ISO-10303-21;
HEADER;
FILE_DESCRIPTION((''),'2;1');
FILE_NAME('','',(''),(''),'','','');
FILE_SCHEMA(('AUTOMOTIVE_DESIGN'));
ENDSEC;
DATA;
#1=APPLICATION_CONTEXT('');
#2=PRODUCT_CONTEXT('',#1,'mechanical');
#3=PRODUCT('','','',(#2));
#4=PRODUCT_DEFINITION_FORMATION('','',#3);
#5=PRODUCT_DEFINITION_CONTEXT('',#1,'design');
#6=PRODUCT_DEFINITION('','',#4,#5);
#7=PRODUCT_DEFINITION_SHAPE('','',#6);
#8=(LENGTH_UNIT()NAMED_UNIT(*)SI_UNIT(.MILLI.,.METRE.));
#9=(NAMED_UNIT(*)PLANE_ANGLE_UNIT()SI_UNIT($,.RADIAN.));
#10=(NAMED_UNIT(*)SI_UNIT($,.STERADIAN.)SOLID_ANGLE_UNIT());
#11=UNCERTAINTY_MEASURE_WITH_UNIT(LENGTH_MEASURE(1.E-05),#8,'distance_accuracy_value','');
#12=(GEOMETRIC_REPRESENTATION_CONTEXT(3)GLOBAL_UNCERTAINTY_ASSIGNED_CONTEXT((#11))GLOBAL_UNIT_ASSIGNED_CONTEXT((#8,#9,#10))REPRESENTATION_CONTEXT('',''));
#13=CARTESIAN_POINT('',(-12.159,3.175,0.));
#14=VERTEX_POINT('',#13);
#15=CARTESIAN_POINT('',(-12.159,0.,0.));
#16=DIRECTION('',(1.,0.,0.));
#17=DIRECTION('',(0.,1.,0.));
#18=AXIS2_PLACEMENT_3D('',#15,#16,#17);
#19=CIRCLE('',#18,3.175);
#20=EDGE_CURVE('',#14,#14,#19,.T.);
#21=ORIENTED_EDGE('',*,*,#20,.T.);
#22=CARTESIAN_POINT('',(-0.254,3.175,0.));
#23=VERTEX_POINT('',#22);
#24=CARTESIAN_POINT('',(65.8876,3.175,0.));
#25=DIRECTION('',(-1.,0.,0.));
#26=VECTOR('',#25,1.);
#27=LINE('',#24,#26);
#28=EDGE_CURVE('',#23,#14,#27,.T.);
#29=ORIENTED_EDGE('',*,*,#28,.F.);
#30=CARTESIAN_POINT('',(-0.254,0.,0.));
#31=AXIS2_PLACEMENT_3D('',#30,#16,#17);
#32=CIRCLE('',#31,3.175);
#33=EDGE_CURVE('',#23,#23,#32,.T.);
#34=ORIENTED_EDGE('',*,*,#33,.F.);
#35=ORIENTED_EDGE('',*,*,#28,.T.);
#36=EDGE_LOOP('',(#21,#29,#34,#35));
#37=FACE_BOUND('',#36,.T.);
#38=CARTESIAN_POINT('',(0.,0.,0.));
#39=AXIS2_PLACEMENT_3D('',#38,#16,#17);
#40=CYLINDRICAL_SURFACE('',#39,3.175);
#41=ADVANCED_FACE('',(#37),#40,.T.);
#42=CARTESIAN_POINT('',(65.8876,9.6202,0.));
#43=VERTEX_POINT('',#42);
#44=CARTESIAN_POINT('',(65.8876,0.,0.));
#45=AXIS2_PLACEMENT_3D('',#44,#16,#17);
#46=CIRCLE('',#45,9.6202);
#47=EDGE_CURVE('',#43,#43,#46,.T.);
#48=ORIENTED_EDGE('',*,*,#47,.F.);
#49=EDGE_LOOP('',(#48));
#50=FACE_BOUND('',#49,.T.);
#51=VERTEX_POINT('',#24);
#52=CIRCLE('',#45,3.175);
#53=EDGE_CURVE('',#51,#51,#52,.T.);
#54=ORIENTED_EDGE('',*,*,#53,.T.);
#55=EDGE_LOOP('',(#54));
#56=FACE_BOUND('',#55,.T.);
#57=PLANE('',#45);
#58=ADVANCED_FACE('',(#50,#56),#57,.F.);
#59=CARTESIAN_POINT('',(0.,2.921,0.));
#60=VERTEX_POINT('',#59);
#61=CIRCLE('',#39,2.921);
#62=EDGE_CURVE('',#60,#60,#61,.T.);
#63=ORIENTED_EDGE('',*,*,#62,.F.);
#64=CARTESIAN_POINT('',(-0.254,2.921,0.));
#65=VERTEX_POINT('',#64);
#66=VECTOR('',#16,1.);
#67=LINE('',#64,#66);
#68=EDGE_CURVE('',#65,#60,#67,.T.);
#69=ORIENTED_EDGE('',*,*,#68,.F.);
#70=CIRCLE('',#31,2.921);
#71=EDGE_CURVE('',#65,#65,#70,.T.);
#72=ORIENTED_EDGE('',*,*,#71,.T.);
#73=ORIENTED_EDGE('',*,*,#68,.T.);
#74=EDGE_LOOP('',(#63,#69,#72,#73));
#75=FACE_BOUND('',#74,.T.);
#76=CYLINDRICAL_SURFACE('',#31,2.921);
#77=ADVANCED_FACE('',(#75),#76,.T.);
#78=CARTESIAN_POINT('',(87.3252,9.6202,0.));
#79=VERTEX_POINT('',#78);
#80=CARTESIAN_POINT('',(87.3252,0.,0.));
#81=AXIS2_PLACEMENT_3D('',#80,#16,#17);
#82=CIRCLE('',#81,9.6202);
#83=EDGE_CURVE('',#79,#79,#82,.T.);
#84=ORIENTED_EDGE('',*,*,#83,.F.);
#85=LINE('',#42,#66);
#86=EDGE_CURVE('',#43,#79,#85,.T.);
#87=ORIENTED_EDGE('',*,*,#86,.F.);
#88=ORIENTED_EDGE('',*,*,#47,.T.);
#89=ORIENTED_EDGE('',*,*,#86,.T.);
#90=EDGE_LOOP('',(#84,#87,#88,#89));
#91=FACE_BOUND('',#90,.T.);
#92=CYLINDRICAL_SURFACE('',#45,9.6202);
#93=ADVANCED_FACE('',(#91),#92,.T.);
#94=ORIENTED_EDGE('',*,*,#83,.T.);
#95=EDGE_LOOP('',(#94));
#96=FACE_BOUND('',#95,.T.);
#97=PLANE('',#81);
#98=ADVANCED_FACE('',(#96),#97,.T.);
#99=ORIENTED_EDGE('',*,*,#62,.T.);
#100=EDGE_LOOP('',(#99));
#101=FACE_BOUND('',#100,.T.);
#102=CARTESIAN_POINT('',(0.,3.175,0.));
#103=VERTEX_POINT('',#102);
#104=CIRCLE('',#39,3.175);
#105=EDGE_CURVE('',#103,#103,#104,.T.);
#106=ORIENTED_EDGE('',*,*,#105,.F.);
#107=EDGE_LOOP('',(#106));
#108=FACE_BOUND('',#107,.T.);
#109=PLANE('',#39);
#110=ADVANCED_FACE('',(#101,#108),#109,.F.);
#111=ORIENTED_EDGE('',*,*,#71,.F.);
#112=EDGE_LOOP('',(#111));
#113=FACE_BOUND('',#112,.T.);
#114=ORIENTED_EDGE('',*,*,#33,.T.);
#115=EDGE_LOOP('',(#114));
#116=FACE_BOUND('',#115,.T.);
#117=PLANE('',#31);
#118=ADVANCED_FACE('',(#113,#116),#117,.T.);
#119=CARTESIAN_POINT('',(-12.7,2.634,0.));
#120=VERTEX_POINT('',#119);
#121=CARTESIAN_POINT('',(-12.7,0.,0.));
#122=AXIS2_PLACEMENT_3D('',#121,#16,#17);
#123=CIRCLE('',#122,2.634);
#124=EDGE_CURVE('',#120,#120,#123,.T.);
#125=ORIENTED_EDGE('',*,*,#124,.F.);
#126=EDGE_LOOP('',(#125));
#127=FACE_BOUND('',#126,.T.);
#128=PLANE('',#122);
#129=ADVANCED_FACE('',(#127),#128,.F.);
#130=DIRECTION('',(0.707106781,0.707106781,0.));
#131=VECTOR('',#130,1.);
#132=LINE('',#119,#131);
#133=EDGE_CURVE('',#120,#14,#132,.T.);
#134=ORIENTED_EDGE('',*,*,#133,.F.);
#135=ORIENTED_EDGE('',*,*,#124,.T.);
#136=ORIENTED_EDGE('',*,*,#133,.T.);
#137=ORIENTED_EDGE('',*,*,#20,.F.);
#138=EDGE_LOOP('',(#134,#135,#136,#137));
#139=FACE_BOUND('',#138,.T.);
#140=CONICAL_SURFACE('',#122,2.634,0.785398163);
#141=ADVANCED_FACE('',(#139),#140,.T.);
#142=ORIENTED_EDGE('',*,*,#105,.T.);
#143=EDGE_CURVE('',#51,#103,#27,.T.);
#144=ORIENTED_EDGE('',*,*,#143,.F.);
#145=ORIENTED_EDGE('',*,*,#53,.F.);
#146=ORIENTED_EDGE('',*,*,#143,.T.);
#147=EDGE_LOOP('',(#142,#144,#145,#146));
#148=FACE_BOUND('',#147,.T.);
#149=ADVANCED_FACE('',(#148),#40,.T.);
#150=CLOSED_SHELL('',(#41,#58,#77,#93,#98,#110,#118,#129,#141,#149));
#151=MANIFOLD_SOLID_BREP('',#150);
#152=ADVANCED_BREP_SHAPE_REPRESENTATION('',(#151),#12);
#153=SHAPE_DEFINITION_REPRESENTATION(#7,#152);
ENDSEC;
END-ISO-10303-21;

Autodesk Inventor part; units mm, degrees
sketch "Sketch_1" plane through (0, 0, 0) normal (0, 0, 1) x (1, 0, 0)
  line L0 (87.3252, 0) -> (0, 0)
  line L1 (0, 0) -> (0, 3.175)
  line L2 (0, 3.175) -> (65.8876, 3.175)
  line L3 (65.8876, 3.175) -> (65.8876, 9.6202)
  line L4 (65.8876, 9.6202) -> (87.3252, 9.6202)
  line L5 (87.3252, 9.6202) -> (87.3252, 0)
  line L6 (87.3252, 0) -> (0, 0)
revolve "Revolution1" add sketch "Sketch_1" angle 360 about axis through (87.3252, 0, 0) along (1, 0, 0)
sketch "Sketch_3" plane through (0, 0, 0) normal (0, 0, 1) x (1, 0, 0)
  line L0 (0, 0) -> (-12.7, 0)
  line L1 (-12.7, 0) -> (-12.7, 2.634)
  line L2 (-12.7, 2.634) -> (-12.159, 3.175)
  line L3 (-12.159, 3.175) -> (0, 3.175)
  line L4 (0, 3.175) -> (0, 0)
  line L5 (0, 0) -> (-12.7, 0)
revolve "Revolution2" add sketch "Sketch_3" angle 360 about axis through (0, 0, 0) along (1, 0, 0)
sketch "Sketch_30" plane through (0, 0, 0) normal (0, 0, 1) x (1, 0, 0)
  line L0 (0, 0) -> (-0.254, 0)
  line L1 (-0.254, 2.921) -> (0, 2.921)
  line L2 (0, 2.921) -> (0, 3.429)
  line L3 (0, 3.429) -> (-0.254, 3.429)
  line L4 (-0.254, 3.429) -> (-0.254, 2.921)
revolve "Revolution3" cut sketch "Sketch_30" angle 360 about axis through (0, 0, 0) along (1, 0, 0)
ref_plane "dia1_XY" through (0, 3.175, 0) normal (1, 0, 0) x (0, 0, -1)
ref_plane "dia1_YZ" through (0, 3.175, 0) normal (0, 0, -1) x (0, 1, 0)
ref_plane "dia1_ZX" through (0, 3.175, 0) normal (0, 1, 0) x (1, 0, 0)
ref_plane "dia12_XY" through (0, 0, 10.9537) normal (1, 0, 0) x (0, 0, -1)
ref_plane "dia12_YZ" through (0, 0, 10.9537) normal (0, 0, -1) x (0, 1, 0)
ref_plane "dia12_ZX" through (0, 0, 10.9537) normal (0, 1, 0) x (1, 0, 0)
ref_plane "dia2_XY" through (0, -3.175, 0) normal (1, 0, 0) x (0, 0, -1)
ref_plane "dia2_YZ" through (0, -3.175, 0) normal (0, 0, -1) x (0, 1, 0)
ref_plane "dia2_ZX" through (0, -3.175, 0) normal (0, 1, 0) x (1, 0, 0)
ref_plane "dia22_XY" through (0, 0, -10.9537) normal (1, 0, 0) x (0, 0, -1)
ref_plane "dia22_YZ" through (0, 0, -10.9537) normal (0, 0, -1) x (0, 1, 0)
ref_plane "dia22_ZX" through (0, 0, -10.9537) normal (0, 1, 0) x (1, 0, 0)
ref_plane "rl1_XY" through (-12.7, 0, 0) normal (1, 0, 0) x (0, 0, -1)
ref_plane "rl1_YZ" through (-12.7, 0, 0) normal (0, 0, -1) x (0, 1, 0)
ref_plane "rl1_ZX" through (-12.7, 0, 0) normal (0, 1, 0) x (1, 0, 0)
ref_plane "rl2_XY" through (0, 0, 0) normal (1, 0, 0) x (0, 0, -1)
ref_plane "rl2_YZ" through (0, 0, 0) normal (0, 0, -1) x (0, 1, 0)
ref_plane "rl2_ZX" through (0, 0, 0) normal (0, 1, 0) x (1, 0, 0)
ref_plane "rod_cp_XY" through (0, 0, 0) normal (1, 0, 0) x (0, 0, -1)
ref_plane "rod_cp_YZ" through (0, 0, 0) normal (0, 0, -1) x (0, 1, 0)
ref_plane "rod_cp_ZX" through (0, 0, 0) normal (0, 1, 0) x (1, 0, 0)
ref_plane "thd1_XY" through (-12.7, 3.175, 0) normal (1, 0, 0) x (0, 0, -1)
ref_plane "thd1_YZ" through (-12.7, 3.175, 0) normal (0, 0, -1) x (0, 1, 0)
ref_plane "thd1_ZX" through (-12.7, 3.175, 0) normal (0, 1, 0) x (1, 0, 0)
ref_plane "thd2_XY" through (-12.7, -3.175, 0) normal (1, 0, 0) x (0, 0, -1)
ref_plane "thd2_YZ" through (-12.7, -3.175, 0) normal (0, 0, -1) x (0, 1, 0)
ref_plane "thd2_ZX" through (-12.7, -3.175, 0) normal (0, 1, 0) x (1, 0, 0)
ref_plane "to_rod_clevis_XY" through (-16.764, 0, 0) normal (1, 0, 0) x (0, 0, -1)
ref_plane "to_rod_clevis_YZ" through (-16.764, 0, 0) normal (0, 0, -1) x (0, 1, 0)
ref_plane "to_rod_clevis_ZX" through (-16.764, 0, 0) normal (0, 1, 0) x (1, 0, 0)
properties part number "C-041-DP0000_rod"
